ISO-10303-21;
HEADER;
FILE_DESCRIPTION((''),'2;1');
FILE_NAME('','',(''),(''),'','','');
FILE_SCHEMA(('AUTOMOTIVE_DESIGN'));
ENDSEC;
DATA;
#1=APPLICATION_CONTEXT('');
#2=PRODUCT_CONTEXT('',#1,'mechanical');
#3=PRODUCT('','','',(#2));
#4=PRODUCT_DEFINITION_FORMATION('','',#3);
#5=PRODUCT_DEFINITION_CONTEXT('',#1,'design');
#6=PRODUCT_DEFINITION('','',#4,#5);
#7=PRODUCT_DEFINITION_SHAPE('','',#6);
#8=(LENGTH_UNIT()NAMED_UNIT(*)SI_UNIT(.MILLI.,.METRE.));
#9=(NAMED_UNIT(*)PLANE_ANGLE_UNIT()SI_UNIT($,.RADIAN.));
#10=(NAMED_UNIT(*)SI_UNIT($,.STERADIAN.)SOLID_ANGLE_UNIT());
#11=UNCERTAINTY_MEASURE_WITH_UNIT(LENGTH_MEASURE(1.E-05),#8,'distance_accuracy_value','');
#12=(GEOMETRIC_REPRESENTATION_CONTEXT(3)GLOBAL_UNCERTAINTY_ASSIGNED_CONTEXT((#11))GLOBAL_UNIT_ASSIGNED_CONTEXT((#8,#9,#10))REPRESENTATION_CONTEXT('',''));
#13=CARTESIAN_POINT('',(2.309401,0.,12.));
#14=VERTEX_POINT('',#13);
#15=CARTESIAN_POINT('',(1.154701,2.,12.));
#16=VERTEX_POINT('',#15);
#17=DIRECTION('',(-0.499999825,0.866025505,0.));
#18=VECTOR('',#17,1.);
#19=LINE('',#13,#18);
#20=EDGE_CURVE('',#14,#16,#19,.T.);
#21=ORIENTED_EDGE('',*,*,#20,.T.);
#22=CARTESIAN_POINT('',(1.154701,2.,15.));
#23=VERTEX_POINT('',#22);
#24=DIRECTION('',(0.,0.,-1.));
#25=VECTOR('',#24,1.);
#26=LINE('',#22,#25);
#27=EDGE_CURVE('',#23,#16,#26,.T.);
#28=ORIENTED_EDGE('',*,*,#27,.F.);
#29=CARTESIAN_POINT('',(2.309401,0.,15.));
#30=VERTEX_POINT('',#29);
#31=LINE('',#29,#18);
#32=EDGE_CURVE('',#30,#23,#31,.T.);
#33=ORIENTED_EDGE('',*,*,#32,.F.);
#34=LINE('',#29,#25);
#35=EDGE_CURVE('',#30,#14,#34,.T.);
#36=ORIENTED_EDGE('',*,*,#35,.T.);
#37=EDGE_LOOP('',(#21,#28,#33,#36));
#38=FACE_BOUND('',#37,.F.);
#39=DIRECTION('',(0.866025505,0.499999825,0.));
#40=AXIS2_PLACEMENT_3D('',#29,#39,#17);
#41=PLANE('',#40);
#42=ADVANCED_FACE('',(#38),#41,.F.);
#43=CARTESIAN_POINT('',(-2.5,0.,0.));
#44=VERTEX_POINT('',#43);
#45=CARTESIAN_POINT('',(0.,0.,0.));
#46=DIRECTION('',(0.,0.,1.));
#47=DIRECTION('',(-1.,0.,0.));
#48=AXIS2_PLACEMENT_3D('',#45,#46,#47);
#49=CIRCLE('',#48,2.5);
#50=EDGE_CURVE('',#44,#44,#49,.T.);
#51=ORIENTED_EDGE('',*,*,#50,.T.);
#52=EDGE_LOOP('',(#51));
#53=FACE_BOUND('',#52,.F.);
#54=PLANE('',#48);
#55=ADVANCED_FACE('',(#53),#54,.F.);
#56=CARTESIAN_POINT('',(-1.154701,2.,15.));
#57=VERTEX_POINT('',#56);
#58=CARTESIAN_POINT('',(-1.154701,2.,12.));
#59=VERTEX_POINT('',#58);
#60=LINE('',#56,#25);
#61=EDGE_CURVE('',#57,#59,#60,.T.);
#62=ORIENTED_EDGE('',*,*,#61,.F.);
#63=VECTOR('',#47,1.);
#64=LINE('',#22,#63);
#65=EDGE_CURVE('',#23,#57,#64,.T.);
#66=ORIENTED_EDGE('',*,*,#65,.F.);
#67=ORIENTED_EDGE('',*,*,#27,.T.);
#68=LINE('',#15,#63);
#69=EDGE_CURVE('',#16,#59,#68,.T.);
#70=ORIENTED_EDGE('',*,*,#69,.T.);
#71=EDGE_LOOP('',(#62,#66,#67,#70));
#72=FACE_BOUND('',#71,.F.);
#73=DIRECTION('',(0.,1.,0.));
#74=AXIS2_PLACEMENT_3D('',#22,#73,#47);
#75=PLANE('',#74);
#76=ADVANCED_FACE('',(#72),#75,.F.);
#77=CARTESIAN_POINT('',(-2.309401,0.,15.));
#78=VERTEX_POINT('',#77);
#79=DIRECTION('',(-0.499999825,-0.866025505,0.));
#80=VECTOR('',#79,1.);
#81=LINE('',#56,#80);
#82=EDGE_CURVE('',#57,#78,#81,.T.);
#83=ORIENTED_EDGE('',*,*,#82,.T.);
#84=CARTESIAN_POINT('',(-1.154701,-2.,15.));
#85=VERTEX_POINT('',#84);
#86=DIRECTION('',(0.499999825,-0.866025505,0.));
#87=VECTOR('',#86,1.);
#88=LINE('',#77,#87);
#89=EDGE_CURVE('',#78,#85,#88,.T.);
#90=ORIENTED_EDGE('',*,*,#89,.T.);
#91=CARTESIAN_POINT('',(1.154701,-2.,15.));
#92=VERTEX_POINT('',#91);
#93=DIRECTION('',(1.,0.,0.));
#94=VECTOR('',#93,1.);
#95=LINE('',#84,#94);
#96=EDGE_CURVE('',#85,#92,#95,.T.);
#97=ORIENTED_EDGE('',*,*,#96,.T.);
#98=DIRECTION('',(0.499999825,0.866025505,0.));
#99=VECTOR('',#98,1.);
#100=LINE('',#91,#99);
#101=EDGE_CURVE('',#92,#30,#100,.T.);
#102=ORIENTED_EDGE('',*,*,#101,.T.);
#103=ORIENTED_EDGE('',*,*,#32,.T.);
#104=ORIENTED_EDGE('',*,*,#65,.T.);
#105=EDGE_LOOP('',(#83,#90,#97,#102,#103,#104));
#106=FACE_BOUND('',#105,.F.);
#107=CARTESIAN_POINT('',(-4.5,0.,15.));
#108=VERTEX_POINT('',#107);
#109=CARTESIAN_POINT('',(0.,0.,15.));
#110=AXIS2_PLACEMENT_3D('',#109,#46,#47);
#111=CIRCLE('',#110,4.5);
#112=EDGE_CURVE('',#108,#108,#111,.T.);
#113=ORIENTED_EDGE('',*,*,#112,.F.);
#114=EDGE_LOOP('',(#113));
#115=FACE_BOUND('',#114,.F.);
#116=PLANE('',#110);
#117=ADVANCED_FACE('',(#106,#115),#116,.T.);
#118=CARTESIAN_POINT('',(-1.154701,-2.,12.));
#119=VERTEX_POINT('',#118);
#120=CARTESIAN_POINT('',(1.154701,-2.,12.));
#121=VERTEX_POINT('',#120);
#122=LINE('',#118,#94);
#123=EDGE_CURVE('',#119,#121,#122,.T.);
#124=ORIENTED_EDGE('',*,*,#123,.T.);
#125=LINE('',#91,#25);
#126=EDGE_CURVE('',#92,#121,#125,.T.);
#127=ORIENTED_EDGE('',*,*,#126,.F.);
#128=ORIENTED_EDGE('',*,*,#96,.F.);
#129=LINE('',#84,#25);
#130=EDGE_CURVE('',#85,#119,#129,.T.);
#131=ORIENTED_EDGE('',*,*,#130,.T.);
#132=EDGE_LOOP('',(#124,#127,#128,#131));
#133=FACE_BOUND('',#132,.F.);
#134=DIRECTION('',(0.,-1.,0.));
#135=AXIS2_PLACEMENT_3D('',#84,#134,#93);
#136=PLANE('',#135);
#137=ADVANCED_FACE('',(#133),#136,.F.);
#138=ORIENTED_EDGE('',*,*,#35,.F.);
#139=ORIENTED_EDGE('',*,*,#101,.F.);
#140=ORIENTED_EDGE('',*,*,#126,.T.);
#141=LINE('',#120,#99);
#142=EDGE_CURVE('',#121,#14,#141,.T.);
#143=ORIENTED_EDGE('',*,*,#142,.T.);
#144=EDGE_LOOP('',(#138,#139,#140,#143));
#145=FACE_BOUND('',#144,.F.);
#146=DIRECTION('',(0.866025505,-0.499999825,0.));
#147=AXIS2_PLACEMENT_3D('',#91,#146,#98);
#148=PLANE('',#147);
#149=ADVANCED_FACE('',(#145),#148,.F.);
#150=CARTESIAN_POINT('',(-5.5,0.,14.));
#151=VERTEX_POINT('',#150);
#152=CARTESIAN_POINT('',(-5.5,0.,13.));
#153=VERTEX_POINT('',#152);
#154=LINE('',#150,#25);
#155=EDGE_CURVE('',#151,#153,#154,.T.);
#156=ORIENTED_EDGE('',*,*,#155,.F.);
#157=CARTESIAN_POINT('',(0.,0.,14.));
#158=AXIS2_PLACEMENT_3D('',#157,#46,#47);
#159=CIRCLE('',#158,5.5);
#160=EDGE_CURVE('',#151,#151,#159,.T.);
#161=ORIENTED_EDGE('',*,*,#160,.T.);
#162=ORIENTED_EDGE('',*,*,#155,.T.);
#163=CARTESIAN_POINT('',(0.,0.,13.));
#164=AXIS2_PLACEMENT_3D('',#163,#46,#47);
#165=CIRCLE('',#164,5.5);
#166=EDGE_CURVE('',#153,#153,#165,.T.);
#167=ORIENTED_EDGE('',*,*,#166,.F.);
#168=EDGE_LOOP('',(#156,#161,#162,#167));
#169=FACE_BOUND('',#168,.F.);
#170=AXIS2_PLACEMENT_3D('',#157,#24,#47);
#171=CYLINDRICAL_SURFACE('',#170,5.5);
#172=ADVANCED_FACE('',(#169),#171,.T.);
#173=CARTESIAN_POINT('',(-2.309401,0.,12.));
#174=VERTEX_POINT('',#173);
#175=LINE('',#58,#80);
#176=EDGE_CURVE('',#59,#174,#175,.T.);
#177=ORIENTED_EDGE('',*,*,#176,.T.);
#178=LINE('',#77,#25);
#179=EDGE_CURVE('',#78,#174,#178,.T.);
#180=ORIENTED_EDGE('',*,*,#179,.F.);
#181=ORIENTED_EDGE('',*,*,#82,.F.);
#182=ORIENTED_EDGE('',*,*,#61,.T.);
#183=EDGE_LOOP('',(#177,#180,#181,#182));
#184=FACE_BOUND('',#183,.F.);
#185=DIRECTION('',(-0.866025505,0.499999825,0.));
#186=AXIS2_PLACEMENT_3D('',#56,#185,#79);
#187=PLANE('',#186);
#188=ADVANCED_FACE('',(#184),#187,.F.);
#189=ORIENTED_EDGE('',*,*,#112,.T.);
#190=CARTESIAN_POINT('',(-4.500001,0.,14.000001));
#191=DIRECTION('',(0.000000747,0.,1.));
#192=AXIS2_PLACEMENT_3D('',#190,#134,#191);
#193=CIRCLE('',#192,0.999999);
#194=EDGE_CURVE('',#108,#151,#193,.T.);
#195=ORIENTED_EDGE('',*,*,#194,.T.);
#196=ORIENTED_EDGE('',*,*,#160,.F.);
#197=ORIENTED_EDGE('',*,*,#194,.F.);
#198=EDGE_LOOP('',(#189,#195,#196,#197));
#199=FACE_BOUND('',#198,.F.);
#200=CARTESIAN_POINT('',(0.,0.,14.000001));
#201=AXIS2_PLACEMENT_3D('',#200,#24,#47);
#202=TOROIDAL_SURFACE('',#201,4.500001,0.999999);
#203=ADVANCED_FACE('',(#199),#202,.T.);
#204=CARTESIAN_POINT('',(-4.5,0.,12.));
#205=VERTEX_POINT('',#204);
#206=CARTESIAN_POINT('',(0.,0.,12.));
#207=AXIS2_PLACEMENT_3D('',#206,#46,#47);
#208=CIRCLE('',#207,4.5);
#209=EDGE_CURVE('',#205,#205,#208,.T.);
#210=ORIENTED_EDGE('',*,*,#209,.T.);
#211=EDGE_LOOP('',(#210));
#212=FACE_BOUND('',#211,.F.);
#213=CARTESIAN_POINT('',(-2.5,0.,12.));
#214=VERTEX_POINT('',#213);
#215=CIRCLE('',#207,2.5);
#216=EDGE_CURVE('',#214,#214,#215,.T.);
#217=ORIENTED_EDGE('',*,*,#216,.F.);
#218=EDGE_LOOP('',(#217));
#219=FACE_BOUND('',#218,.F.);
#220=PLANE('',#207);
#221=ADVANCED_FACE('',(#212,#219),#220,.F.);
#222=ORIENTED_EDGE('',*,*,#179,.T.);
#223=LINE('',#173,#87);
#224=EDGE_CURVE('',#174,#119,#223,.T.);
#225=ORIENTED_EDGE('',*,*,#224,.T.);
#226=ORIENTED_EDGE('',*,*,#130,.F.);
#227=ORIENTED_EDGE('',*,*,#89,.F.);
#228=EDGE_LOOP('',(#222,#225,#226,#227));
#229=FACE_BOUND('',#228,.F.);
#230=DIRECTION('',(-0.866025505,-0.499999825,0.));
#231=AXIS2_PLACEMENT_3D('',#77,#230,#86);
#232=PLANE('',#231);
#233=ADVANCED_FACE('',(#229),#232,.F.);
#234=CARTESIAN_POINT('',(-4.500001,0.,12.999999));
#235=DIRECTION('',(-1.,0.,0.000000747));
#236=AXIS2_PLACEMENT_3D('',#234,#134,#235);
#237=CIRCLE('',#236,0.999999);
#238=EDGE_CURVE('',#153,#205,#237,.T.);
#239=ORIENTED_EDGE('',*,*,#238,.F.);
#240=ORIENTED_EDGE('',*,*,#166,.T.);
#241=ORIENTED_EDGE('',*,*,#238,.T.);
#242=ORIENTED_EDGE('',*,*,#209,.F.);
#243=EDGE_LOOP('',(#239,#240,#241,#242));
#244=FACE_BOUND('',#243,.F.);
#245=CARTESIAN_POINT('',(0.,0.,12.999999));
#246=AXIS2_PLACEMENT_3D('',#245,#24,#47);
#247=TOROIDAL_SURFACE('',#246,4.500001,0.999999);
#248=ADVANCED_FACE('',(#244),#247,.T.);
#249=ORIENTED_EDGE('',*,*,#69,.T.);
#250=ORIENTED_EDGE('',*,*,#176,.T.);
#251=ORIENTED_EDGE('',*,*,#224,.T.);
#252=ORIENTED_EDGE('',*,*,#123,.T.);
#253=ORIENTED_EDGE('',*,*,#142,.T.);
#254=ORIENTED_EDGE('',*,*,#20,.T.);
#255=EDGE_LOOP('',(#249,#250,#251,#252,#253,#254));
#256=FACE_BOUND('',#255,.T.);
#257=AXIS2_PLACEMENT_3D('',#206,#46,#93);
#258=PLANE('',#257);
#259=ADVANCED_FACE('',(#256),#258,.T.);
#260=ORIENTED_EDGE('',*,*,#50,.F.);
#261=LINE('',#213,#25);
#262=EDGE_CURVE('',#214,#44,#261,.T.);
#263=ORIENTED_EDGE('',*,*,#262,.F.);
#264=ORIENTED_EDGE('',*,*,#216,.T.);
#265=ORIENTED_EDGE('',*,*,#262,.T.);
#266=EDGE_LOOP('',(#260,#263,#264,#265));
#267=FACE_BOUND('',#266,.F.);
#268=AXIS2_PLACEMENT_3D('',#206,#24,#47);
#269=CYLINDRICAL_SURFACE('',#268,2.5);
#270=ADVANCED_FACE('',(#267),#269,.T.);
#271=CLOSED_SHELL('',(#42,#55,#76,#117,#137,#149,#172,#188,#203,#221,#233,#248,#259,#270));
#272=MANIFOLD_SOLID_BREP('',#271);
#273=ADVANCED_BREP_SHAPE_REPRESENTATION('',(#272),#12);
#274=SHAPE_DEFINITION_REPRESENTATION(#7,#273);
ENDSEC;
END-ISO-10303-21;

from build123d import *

# Parameters (mm, degrees)
F3_DEPTH = 3


with BuildPart() as f1:
    # F0 (on Front) → F1 (revolve)
    with BuildSketch(Plane.XZ):
        with BuildLine():
            Line((-2.5, 0), (0, 0))
            Line((0, 0), (0, 15))
            Line((0, 15), (-4.5, 15))
            ThreePointArc((-4.5, 15), (-5.207107, 14.707107), (-5.5, 14))
            Line((-5.5, 14), (-5.5, 13))
            ThreePointArc((-5.5, 13), (-5.207107, 12.292893), (-4.5, 12))
            Line((-4.5, 12), (-2.5, 12))
            Line((-2.5, 12), (-2.5, 0))
        make_face()
    revolve(axis=Axis((0, 0, 7.5), (0, 0, 1)))

    # F2 (on face) → F3 (cut)
    with BuildSketch(Plane.XY.offset(15)):
        Polygon((1.154701, 2), (-1.154701, 2), (-2.309401, 0), (-1.154701, -2), (1.154701, -2), (2.309401, 0), align=None)
    extrude(amount=-F3_DEPTH, mode=Mode.SUBTRACT)


solid = f1.part
